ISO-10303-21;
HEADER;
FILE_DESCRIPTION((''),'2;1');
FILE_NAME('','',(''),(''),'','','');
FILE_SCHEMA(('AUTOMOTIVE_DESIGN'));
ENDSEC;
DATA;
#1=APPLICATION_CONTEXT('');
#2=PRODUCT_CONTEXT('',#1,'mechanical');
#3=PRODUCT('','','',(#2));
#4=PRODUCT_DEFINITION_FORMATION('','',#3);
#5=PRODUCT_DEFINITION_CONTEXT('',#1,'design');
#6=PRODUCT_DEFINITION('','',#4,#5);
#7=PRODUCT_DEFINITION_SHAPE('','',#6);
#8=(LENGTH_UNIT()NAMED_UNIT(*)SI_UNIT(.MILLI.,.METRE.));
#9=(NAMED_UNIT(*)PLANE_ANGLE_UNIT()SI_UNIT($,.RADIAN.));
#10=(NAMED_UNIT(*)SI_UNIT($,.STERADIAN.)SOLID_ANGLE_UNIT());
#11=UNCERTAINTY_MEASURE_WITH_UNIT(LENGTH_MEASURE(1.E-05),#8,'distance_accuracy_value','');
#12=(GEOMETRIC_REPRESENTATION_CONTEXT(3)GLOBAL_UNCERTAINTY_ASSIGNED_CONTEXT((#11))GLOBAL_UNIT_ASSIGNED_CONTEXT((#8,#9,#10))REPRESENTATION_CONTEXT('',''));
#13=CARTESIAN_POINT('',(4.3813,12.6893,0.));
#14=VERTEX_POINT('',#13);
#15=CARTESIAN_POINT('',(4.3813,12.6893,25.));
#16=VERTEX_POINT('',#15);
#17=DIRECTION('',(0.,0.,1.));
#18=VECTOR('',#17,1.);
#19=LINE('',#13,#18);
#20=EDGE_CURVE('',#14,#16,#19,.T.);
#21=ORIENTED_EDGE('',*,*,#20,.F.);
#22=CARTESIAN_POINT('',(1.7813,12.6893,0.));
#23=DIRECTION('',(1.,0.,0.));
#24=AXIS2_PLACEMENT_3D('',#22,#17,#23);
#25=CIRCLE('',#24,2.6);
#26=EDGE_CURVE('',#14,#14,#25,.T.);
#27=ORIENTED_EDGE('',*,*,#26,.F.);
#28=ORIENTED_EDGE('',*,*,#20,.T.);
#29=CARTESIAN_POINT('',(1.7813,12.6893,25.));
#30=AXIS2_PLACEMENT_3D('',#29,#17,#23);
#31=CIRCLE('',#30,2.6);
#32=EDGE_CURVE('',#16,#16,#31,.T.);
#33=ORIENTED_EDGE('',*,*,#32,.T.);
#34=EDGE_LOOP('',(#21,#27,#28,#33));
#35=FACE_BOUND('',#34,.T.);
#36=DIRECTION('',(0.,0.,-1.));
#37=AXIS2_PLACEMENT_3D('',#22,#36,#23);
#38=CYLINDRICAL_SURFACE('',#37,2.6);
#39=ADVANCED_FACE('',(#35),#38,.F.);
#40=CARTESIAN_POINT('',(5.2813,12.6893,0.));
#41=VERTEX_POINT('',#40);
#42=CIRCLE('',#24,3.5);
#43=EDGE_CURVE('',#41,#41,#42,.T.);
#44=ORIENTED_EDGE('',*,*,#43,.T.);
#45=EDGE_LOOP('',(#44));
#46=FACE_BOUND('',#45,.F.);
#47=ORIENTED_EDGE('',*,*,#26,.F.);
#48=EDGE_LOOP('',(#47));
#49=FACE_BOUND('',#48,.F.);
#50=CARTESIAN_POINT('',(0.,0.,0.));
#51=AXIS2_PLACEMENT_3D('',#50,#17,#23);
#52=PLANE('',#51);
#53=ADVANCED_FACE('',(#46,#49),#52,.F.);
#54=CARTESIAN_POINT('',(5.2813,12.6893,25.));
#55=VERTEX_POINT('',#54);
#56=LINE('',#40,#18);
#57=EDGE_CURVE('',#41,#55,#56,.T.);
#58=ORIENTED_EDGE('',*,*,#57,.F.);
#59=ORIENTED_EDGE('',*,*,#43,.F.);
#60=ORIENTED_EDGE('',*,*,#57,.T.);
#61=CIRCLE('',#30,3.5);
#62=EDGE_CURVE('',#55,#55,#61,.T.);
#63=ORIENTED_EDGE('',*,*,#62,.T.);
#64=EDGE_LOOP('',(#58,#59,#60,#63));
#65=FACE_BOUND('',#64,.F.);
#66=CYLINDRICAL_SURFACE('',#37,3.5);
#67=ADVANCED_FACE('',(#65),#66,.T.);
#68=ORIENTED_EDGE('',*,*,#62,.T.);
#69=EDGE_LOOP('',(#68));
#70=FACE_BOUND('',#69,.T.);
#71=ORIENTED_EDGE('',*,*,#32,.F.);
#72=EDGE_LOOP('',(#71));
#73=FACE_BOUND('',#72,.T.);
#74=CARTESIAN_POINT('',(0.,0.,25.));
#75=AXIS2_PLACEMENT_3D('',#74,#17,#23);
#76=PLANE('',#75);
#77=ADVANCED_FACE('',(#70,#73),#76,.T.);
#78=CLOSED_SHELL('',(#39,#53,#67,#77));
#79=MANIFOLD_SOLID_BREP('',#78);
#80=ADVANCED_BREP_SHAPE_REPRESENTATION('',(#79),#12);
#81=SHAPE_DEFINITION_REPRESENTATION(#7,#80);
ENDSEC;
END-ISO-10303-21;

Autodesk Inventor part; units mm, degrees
ref_plane "YZ Plane" through (0, 0, 0) normal (1, 0, 0) x (0, 1, 0)
ref_plane "XZ Plane" through (0, 0, 0) normal (0, 1, 0) x (-1, 0, 0)
ref_plane "XY Plane" through (0, 0, 0) normal (0, 0, 1) x (1, 0, 0)
sketch "Sketch1" plane through (0, 0, 0) normal (0, 0, 1) x (1, 0, 0)
  circle A0 centre (1.7813, 12.6893) radius 2.5 projected
  circle A1 centre (1.7813, 12.6893) radius 2.6
  circle A2 centre (1.7813, 12.6893) radius 3.5
  point P0 (0, 0)
  dimension "d0" = 5.2
  dimension "d1" = 7
extrude "Extrusion1" add sketch "Sketch1" along normal blind 25 contours A2
properties part number "25mmspacer"
